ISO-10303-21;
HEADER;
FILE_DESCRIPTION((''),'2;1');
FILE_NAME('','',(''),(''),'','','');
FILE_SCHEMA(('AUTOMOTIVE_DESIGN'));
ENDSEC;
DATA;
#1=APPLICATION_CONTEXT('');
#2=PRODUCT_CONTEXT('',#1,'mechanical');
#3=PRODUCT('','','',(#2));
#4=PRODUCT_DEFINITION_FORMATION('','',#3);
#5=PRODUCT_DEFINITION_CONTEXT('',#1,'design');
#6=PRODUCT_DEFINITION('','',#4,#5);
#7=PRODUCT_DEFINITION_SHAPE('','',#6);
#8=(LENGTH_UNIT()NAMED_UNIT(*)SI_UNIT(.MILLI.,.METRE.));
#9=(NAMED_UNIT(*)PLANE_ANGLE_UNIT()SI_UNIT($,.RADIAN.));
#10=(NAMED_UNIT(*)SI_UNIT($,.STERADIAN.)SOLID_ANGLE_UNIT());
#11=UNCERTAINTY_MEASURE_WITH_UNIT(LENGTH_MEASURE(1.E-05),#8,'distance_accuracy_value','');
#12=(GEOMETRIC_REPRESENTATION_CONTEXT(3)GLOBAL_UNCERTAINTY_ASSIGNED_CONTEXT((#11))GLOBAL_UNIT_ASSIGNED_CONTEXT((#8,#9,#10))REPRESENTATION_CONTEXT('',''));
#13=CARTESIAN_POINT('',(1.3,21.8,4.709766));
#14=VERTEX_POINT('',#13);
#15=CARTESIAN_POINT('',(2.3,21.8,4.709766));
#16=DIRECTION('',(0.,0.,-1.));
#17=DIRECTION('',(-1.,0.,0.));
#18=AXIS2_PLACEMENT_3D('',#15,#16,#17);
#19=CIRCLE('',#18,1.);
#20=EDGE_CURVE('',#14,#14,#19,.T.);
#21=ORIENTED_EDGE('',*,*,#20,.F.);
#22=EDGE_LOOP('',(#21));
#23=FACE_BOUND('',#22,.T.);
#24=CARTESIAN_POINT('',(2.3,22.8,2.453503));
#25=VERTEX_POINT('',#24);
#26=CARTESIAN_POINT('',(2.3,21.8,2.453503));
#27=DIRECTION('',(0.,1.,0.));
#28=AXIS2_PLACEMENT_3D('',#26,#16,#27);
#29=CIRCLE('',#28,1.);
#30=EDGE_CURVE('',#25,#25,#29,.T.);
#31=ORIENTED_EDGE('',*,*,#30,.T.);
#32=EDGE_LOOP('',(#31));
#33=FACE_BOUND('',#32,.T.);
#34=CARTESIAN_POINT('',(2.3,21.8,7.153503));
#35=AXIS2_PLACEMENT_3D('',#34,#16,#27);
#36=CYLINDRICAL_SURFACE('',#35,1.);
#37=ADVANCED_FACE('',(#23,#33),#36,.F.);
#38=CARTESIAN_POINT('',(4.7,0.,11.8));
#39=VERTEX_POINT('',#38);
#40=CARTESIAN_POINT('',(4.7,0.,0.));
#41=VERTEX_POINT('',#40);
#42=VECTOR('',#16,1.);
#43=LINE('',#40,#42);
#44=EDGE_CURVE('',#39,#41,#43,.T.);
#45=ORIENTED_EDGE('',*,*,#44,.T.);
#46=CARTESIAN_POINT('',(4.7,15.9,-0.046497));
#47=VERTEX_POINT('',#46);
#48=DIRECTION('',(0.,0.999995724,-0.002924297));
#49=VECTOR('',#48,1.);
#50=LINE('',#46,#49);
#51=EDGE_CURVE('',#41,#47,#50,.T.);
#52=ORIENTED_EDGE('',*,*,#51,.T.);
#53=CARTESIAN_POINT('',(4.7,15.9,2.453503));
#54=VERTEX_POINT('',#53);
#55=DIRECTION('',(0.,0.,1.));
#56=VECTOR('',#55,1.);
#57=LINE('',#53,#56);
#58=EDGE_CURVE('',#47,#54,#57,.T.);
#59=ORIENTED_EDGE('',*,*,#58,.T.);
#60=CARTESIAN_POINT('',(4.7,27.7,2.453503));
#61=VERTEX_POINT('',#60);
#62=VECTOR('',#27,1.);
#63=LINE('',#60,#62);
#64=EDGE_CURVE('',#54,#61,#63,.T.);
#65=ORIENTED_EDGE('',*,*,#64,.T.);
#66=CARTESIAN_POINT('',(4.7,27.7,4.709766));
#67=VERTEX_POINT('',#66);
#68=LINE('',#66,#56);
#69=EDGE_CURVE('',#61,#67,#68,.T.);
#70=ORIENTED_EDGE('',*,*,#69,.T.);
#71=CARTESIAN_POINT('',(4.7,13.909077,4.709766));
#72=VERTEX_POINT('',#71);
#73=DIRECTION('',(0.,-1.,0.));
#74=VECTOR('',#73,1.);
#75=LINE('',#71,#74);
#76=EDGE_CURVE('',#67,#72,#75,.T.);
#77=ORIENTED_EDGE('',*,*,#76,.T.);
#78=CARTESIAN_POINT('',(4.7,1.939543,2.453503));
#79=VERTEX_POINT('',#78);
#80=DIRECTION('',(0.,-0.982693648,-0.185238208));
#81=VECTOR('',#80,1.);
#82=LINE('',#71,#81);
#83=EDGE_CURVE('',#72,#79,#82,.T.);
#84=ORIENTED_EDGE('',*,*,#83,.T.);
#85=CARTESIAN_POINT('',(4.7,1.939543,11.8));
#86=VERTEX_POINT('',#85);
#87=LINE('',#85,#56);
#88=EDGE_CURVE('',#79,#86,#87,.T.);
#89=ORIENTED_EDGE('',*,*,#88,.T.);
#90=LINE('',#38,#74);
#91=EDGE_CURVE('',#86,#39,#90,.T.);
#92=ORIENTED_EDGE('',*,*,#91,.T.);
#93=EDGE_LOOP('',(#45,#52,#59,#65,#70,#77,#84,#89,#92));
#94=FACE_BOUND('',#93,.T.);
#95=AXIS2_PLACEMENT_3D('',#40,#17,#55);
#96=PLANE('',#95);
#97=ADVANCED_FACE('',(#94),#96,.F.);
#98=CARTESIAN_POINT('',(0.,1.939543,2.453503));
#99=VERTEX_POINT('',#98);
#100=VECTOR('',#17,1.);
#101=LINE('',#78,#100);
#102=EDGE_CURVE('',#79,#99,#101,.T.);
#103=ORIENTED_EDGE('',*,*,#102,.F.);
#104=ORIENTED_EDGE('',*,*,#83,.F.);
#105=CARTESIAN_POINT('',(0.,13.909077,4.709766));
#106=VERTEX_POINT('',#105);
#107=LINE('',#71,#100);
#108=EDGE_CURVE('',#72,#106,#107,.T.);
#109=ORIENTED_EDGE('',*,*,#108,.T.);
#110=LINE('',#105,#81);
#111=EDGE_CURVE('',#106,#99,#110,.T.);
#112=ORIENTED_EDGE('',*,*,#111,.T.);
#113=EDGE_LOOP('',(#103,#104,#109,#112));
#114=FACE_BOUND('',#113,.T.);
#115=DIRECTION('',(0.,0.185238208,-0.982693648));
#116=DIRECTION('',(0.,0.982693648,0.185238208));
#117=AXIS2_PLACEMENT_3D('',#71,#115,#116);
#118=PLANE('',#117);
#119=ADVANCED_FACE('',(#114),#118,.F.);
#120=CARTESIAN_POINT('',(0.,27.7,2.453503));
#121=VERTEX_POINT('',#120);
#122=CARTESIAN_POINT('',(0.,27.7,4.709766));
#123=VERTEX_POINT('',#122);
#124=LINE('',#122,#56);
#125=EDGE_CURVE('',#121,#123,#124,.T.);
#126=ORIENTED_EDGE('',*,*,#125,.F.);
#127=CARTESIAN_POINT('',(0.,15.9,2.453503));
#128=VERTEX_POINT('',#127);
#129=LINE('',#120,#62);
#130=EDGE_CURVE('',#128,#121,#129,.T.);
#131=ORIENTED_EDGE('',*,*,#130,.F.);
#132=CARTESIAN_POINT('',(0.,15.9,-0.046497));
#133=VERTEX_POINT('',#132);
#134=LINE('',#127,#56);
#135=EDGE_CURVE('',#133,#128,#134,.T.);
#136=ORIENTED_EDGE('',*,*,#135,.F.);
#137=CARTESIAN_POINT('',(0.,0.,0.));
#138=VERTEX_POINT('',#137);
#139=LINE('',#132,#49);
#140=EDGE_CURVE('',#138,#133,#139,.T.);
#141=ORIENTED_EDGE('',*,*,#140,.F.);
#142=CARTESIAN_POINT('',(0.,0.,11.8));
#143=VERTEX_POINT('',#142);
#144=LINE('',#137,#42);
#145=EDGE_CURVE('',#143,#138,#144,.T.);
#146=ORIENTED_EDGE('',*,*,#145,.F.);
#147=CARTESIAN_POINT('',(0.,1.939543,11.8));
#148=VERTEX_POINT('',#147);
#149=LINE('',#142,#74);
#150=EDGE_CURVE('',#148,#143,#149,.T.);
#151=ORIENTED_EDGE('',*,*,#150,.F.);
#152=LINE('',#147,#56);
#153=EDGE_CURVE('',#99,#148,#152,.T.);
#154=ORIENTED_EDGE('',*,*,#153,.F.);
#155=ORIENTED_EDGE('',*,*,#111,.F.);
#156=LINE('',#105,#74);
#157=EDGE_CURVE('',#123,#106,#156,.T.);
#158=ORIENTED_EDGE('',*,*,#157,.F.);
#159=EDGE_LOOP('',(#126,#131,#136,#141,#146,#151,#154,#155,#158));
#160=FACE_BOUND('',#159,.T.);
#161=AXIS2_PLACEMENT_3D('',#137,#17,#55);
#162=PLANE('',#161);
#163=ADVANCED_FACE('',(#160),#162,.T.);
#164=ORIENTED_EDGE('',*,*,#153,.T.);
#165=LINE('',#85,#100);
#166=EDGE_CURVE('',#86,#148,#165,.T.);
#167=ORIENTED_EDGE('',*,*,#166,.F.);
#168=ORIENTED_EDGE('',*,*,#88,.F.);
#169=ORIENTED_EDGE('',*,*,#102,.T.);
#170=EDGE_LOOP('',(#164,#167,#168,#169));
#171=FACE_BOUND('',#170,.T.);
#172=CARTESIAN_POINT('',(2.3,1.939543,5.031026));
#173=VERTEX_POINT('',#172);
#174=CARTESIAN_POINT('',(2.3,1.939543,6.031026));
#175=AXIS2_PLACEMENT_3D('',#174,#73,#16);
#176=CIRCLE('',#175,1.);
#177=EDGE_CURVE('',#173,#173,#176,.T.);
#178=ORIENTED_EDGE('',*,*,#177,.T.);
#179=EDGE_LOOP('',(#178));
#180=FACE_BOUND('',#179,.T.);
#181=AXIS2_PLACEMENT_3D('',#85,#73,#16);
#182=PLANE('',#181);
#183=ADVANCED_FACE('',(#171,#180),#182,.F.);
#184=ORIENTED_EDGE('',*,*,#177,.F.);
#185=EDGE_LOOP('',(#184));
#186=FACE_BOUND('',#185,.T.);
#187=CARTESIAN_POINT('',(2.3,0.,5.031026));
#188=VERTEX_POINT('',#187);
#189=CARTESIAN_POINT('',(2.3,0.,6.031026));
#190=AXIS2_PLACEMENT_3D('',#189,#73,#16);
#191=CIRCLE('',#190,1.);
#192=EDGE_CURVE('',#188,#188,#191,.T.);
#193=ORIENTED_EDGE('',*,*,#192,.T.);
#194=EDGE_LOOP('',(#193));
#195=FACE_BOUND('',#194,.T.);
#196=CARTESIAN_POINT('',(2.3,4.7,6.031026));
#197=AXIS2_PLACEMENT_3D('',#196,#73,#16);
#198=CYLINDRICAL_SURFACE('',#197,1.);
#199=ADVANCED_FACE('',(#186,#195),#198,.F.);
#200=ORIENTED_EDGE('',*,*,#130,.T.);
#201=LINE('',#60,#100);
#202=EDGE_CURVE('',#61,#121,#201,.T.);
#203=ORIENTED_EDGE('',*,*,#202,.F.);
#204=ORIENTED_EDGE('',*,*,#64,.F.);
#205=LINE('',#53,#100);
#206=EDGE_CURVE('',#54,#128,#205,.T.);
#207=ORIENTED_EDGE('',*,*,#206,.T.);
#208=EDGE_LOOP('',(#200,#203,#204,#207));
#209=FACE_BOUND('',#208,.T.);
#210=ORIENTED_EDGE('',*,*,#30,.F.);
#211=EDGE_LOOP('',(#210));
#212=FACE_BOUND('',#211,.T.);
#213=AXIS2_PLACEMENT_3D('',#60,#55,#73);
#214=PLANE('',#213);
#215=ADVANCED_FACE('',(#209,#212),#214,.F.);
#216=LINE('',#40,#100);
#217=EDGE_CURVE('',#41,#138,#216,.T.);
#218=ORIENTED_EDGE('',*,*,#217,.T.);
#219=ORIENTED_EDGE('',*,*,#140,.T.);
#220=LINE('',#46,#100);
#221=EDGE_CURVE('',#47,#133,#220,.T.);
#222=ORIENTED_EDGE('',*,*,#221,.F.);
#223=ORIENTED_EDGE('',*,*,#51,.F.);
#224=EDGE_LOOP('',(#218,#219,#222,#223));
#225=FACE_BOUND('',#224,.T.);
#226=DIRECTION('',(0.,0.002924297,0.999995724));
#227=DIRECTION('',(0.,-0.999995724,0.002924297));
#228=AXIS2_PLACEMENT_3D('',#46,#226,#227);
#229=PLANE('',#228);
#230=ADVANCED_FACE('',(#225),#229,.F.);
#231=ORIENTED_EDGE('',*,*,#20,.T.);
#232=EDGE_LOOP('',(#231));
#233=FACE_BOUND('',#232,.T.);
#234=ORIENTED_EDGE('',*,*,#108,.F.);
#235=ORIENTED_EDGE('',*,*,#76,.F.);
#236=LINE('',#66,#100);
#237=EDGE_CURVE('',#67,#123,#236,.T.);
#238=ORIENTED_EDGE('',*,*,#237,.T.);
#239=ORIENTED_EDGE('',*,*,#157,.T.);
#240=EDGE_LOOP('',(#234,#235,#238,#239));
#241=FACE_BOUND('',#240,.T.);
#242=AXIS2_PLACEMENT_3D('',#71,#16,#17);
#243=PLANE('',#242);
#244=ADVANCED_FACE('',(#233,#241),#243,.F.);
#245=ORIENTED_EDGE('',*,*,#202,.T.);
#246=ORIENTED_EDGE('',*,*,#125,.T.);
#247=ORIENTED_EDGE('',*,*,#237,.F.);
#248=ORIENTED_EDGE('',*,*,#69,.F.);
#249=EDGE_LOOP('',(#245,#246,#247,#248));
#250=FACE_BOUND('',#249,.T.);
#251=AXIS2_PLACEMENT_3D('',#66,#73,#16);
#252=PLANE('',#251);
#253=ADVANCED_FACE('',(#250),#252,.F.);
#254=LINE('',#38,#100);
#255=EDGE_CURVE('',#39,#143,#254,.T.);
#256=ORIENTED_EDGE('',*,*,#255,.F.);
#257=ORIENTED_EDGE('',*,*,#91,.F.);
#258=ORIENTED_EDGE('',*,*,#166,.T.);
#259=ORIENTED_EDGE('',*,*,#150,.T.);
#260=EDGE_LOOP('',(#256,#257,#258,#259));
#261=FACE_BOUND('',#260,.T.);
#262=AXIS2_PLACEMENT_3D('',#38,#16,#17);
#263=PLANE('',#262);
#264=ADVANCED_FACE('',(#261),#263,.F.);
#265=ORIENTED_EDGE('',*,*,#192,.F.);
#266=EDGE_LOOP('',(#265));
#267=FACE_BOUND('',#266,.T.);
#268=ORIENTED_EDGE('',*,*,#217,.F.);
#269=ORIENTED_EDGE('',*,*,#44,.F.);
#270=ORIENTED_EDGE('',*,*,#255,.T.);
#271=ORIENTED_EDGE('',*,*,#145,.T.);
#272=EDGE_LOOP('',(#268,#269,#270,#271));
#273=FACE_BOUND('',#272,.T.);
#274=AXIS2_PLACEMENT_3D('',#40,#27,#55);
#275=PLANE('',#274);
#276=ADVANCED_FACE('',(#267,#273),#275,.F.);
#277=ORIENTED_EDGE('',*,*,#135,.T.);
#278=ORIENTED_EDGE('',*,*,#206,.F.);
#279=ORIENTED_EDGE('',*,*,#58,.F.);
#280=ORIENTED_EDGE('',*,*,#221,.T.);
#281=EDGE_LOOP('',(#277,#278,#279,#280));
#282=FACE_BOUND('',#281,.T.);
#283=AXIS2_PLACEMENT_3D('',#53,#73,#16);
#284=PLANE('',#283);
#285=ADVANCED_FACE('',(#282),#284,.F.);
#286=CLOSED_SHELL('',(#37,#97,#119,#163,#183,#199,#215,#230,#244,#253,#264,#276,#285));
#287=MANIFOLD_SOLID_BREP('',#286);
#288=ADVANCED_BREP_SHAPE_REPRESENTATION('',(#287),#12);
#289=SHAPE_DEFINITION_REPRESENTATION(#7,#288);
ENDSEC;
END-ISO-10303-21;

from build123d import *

# Parameters (mm, degrees)
BOSS_EXTRUDE1_DEPTH = 4.7
SKETCH2_R           = 1
CUT_EXTRUDE1_DEPTH  = 4.7
SKETCH3_R           = 1
CUT_EXTRUDE2_DEPTH  = 4.7


with BuildPart() as part:
    # Sketch1 → Boss-Extrude1 (new body)
    with BuildSketch(Plane(origin=(0, 0, 0), x_dir=(0, 0, -1), z_dir=(1, 0, 0))):
        Polygon((-2.453503476, 27.7), (-2.453503476, 15.9), (0.046496524, 15.9), (0, 0), (-11.8, 0), (-11.8, 1.939542533), (-2.453503476, 1.939542533), (-4.709766252, 13.909076926), (-4.709766252, 27.7), align=None)
    extrude(amount=BOSS_EXTRUDE1_DEPTH)

    # Sketch2 → Cut-Extrude1 (cut)
    with BuildSketch(Plane(origin=(0, 0, 2.453503476), x_dir=(-1, 0, 0), z_dir=(0, 0, -1))):
        with Locations(Location((-2.3, 21.8, 0), (0, 0, 90))):
            Circle(SKETCH2_R)
    extrude(amount=-CUT_EXTRUDE1_DEPTH, mode=Mode.SUBTRACT)

    # Sketch3 → Cut-Extrude2 (cut)
    with BuildSketch(Plane.XZ):
        with Locations(Location((2.3, 6.031025585, 0), (0, 0, 270))):
            Circle(SKETCH3_R)
    extrude(amount=-CUT_EXTRUDE2_DEPTH, mode=Mode.SUBTRACT)


solid = part.part
